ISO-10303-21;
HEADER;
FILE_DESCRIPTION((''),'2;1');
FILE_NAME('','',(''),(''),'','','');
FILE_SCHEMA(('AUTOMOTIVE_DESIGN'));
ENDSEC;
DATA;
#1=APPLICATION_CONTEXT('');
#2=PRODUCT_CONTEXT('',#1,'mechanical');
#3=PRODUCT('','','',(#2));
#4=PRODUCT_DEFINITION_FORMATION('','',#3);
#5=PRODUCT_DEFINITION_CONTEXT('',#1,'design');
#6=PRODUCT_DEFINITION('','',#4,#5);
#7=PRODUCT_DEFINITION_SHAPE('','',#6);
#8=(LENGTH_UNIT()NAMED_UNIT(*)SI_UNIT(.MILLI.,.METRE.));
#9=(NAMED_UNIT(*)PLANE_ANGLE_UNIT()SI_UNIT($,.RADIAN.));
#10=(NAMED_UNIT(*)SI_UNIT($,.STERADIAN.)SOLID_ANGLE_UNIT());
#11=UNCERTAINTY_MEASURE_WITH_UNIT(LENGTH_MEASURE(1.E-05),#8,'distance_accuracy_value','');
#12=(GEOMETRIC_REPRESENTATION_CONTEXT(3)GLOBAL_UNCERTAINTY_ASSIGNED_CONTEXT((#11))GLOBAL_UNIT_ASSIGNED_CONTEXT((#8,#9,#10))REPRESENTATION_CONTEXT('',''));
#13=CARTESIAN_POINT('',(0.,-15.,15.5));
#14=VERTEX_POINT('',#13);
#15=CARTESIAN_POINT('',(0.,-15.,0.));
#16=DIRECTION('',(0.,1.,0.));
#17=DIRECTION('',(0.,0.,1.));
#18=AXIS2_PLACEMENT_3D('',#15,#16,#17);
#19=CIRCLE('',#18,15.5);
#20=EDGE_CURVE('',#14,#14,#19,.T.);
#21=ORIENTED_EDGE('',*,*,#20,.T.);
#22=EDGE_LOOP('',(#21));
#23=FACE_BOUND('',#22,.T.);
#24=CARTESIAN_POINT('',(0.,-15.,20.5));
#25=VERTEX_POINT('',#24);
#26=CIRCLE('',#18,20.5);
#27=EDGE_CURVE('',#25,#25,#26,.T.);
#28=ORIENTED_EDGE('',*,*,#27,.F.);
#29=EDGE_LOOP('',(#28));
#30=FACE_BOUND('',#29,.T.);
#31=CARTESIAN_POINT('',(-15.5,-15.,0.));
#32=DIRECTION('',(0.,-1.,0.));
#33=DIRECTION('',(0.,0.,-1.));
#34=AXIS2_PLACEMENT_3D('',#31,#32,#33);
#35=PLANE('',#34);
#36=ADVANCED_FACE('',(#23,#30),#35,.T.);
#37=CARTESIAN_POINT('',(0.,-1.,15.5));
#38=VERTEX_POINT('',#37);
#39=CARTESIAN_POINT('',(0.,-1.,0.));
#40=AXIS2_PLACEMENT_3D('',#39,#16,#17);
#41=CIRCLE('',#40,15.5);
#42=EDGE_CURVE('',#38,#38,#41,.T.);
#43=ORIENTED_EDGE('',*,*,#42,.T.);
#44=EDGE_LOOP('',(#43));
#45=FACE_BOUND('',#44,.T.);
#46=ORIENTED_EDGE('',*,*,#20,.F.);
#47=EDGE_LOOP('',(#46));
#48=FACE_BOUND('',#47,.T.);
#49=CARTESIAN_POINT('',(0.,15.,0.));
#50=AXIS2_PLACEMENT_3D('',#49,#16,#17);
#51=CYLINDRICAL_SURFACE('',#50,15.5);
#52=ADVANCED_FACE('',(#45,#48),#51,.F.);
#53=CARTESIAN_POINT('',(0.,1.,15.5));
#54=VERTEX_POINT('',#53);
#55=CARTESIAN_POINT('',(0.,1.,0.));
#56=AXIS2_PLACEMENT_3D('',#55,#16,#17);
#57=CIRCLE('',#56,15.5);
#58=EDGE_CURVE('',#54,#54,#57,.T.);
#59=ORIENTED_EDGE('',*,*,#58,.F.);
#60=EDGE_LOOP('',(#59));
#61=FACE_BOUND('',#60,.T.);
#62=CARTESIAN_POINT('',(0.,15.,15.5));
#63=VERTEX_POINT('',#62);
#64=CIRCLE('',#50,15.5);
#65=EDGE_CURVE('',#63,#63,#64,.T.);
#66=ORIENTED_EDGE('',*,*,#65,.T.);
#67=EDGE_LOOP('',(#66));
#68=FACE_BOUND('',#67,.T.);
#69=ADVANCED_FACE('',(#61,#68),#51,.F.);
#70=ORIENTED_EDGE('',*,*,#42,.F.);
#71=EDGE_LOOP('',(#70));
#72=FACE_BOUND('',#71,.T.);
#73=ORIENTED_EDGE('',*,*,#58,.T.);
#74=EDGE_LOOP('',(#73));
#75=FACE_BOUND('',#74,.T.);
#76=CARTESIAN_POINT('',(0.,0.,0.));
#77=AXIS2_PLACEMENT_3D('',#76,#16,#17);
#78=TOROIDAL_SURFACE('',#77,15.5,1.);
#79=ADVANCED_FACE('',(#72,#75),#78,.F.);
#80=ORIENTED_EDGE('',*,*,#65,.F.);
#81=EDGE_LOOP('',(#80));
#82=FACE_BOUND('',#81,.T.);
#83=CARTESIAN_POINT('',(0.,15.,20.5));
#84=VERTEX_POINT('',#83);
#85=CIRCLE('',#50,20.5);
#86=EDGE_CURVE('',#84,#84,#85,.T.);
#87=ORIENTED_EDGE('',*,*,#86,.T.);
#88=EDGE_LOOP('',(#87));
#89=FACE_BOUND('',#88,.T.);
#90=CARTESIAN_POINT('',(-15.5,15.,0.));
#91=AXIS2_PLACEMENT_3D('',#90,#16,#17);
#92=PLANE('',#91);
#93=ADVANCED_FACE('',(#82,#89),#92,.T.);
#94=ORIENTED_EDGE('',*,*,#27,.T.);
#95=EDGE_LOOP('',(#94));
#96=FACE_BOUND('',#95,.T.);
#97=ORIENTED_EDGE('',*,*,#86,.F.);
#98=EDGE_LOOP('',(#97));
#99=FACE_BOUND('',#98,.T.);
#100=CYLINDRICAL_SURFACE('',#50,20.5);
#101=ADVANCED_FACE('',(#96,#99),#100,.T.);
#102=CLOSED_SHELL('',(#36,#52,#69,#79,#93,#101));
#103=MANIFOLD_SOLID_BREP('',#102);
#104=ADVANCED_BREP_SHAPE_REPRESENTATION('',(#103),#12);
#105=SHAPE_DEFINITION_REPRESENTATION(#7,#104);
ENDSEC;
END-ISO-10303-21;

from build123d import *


with BuildPart() as part:
    # Esboço1 → Revolução1 (revolve)
    with BuildSketch(Plane.XY, mode=Mode.PRIVATE) as revolu_o1_sk:
        with BuildLine():
            Line((-15.5, -1), (-15.5, -15))
            Line((-15.5, -15), (-20.5, -15))
            Line((-20.5, -15), (-20.5, 15))
            Line((-20.5, 15), (-15.5, 15))
            Line((-15.5, 15), (-15.5, 1))
            ThreePointArc((-15.5, 1), (-16.5, 0), (-15.5, -1))
        make_face()
    revolve(revolu_o1_sk.sketch.rotate(Axis((0, 15, 0), (0, -1, 0)), 270), axis=Axis((0, 15, 0), (0, -1, 0)))


solid = part.part
